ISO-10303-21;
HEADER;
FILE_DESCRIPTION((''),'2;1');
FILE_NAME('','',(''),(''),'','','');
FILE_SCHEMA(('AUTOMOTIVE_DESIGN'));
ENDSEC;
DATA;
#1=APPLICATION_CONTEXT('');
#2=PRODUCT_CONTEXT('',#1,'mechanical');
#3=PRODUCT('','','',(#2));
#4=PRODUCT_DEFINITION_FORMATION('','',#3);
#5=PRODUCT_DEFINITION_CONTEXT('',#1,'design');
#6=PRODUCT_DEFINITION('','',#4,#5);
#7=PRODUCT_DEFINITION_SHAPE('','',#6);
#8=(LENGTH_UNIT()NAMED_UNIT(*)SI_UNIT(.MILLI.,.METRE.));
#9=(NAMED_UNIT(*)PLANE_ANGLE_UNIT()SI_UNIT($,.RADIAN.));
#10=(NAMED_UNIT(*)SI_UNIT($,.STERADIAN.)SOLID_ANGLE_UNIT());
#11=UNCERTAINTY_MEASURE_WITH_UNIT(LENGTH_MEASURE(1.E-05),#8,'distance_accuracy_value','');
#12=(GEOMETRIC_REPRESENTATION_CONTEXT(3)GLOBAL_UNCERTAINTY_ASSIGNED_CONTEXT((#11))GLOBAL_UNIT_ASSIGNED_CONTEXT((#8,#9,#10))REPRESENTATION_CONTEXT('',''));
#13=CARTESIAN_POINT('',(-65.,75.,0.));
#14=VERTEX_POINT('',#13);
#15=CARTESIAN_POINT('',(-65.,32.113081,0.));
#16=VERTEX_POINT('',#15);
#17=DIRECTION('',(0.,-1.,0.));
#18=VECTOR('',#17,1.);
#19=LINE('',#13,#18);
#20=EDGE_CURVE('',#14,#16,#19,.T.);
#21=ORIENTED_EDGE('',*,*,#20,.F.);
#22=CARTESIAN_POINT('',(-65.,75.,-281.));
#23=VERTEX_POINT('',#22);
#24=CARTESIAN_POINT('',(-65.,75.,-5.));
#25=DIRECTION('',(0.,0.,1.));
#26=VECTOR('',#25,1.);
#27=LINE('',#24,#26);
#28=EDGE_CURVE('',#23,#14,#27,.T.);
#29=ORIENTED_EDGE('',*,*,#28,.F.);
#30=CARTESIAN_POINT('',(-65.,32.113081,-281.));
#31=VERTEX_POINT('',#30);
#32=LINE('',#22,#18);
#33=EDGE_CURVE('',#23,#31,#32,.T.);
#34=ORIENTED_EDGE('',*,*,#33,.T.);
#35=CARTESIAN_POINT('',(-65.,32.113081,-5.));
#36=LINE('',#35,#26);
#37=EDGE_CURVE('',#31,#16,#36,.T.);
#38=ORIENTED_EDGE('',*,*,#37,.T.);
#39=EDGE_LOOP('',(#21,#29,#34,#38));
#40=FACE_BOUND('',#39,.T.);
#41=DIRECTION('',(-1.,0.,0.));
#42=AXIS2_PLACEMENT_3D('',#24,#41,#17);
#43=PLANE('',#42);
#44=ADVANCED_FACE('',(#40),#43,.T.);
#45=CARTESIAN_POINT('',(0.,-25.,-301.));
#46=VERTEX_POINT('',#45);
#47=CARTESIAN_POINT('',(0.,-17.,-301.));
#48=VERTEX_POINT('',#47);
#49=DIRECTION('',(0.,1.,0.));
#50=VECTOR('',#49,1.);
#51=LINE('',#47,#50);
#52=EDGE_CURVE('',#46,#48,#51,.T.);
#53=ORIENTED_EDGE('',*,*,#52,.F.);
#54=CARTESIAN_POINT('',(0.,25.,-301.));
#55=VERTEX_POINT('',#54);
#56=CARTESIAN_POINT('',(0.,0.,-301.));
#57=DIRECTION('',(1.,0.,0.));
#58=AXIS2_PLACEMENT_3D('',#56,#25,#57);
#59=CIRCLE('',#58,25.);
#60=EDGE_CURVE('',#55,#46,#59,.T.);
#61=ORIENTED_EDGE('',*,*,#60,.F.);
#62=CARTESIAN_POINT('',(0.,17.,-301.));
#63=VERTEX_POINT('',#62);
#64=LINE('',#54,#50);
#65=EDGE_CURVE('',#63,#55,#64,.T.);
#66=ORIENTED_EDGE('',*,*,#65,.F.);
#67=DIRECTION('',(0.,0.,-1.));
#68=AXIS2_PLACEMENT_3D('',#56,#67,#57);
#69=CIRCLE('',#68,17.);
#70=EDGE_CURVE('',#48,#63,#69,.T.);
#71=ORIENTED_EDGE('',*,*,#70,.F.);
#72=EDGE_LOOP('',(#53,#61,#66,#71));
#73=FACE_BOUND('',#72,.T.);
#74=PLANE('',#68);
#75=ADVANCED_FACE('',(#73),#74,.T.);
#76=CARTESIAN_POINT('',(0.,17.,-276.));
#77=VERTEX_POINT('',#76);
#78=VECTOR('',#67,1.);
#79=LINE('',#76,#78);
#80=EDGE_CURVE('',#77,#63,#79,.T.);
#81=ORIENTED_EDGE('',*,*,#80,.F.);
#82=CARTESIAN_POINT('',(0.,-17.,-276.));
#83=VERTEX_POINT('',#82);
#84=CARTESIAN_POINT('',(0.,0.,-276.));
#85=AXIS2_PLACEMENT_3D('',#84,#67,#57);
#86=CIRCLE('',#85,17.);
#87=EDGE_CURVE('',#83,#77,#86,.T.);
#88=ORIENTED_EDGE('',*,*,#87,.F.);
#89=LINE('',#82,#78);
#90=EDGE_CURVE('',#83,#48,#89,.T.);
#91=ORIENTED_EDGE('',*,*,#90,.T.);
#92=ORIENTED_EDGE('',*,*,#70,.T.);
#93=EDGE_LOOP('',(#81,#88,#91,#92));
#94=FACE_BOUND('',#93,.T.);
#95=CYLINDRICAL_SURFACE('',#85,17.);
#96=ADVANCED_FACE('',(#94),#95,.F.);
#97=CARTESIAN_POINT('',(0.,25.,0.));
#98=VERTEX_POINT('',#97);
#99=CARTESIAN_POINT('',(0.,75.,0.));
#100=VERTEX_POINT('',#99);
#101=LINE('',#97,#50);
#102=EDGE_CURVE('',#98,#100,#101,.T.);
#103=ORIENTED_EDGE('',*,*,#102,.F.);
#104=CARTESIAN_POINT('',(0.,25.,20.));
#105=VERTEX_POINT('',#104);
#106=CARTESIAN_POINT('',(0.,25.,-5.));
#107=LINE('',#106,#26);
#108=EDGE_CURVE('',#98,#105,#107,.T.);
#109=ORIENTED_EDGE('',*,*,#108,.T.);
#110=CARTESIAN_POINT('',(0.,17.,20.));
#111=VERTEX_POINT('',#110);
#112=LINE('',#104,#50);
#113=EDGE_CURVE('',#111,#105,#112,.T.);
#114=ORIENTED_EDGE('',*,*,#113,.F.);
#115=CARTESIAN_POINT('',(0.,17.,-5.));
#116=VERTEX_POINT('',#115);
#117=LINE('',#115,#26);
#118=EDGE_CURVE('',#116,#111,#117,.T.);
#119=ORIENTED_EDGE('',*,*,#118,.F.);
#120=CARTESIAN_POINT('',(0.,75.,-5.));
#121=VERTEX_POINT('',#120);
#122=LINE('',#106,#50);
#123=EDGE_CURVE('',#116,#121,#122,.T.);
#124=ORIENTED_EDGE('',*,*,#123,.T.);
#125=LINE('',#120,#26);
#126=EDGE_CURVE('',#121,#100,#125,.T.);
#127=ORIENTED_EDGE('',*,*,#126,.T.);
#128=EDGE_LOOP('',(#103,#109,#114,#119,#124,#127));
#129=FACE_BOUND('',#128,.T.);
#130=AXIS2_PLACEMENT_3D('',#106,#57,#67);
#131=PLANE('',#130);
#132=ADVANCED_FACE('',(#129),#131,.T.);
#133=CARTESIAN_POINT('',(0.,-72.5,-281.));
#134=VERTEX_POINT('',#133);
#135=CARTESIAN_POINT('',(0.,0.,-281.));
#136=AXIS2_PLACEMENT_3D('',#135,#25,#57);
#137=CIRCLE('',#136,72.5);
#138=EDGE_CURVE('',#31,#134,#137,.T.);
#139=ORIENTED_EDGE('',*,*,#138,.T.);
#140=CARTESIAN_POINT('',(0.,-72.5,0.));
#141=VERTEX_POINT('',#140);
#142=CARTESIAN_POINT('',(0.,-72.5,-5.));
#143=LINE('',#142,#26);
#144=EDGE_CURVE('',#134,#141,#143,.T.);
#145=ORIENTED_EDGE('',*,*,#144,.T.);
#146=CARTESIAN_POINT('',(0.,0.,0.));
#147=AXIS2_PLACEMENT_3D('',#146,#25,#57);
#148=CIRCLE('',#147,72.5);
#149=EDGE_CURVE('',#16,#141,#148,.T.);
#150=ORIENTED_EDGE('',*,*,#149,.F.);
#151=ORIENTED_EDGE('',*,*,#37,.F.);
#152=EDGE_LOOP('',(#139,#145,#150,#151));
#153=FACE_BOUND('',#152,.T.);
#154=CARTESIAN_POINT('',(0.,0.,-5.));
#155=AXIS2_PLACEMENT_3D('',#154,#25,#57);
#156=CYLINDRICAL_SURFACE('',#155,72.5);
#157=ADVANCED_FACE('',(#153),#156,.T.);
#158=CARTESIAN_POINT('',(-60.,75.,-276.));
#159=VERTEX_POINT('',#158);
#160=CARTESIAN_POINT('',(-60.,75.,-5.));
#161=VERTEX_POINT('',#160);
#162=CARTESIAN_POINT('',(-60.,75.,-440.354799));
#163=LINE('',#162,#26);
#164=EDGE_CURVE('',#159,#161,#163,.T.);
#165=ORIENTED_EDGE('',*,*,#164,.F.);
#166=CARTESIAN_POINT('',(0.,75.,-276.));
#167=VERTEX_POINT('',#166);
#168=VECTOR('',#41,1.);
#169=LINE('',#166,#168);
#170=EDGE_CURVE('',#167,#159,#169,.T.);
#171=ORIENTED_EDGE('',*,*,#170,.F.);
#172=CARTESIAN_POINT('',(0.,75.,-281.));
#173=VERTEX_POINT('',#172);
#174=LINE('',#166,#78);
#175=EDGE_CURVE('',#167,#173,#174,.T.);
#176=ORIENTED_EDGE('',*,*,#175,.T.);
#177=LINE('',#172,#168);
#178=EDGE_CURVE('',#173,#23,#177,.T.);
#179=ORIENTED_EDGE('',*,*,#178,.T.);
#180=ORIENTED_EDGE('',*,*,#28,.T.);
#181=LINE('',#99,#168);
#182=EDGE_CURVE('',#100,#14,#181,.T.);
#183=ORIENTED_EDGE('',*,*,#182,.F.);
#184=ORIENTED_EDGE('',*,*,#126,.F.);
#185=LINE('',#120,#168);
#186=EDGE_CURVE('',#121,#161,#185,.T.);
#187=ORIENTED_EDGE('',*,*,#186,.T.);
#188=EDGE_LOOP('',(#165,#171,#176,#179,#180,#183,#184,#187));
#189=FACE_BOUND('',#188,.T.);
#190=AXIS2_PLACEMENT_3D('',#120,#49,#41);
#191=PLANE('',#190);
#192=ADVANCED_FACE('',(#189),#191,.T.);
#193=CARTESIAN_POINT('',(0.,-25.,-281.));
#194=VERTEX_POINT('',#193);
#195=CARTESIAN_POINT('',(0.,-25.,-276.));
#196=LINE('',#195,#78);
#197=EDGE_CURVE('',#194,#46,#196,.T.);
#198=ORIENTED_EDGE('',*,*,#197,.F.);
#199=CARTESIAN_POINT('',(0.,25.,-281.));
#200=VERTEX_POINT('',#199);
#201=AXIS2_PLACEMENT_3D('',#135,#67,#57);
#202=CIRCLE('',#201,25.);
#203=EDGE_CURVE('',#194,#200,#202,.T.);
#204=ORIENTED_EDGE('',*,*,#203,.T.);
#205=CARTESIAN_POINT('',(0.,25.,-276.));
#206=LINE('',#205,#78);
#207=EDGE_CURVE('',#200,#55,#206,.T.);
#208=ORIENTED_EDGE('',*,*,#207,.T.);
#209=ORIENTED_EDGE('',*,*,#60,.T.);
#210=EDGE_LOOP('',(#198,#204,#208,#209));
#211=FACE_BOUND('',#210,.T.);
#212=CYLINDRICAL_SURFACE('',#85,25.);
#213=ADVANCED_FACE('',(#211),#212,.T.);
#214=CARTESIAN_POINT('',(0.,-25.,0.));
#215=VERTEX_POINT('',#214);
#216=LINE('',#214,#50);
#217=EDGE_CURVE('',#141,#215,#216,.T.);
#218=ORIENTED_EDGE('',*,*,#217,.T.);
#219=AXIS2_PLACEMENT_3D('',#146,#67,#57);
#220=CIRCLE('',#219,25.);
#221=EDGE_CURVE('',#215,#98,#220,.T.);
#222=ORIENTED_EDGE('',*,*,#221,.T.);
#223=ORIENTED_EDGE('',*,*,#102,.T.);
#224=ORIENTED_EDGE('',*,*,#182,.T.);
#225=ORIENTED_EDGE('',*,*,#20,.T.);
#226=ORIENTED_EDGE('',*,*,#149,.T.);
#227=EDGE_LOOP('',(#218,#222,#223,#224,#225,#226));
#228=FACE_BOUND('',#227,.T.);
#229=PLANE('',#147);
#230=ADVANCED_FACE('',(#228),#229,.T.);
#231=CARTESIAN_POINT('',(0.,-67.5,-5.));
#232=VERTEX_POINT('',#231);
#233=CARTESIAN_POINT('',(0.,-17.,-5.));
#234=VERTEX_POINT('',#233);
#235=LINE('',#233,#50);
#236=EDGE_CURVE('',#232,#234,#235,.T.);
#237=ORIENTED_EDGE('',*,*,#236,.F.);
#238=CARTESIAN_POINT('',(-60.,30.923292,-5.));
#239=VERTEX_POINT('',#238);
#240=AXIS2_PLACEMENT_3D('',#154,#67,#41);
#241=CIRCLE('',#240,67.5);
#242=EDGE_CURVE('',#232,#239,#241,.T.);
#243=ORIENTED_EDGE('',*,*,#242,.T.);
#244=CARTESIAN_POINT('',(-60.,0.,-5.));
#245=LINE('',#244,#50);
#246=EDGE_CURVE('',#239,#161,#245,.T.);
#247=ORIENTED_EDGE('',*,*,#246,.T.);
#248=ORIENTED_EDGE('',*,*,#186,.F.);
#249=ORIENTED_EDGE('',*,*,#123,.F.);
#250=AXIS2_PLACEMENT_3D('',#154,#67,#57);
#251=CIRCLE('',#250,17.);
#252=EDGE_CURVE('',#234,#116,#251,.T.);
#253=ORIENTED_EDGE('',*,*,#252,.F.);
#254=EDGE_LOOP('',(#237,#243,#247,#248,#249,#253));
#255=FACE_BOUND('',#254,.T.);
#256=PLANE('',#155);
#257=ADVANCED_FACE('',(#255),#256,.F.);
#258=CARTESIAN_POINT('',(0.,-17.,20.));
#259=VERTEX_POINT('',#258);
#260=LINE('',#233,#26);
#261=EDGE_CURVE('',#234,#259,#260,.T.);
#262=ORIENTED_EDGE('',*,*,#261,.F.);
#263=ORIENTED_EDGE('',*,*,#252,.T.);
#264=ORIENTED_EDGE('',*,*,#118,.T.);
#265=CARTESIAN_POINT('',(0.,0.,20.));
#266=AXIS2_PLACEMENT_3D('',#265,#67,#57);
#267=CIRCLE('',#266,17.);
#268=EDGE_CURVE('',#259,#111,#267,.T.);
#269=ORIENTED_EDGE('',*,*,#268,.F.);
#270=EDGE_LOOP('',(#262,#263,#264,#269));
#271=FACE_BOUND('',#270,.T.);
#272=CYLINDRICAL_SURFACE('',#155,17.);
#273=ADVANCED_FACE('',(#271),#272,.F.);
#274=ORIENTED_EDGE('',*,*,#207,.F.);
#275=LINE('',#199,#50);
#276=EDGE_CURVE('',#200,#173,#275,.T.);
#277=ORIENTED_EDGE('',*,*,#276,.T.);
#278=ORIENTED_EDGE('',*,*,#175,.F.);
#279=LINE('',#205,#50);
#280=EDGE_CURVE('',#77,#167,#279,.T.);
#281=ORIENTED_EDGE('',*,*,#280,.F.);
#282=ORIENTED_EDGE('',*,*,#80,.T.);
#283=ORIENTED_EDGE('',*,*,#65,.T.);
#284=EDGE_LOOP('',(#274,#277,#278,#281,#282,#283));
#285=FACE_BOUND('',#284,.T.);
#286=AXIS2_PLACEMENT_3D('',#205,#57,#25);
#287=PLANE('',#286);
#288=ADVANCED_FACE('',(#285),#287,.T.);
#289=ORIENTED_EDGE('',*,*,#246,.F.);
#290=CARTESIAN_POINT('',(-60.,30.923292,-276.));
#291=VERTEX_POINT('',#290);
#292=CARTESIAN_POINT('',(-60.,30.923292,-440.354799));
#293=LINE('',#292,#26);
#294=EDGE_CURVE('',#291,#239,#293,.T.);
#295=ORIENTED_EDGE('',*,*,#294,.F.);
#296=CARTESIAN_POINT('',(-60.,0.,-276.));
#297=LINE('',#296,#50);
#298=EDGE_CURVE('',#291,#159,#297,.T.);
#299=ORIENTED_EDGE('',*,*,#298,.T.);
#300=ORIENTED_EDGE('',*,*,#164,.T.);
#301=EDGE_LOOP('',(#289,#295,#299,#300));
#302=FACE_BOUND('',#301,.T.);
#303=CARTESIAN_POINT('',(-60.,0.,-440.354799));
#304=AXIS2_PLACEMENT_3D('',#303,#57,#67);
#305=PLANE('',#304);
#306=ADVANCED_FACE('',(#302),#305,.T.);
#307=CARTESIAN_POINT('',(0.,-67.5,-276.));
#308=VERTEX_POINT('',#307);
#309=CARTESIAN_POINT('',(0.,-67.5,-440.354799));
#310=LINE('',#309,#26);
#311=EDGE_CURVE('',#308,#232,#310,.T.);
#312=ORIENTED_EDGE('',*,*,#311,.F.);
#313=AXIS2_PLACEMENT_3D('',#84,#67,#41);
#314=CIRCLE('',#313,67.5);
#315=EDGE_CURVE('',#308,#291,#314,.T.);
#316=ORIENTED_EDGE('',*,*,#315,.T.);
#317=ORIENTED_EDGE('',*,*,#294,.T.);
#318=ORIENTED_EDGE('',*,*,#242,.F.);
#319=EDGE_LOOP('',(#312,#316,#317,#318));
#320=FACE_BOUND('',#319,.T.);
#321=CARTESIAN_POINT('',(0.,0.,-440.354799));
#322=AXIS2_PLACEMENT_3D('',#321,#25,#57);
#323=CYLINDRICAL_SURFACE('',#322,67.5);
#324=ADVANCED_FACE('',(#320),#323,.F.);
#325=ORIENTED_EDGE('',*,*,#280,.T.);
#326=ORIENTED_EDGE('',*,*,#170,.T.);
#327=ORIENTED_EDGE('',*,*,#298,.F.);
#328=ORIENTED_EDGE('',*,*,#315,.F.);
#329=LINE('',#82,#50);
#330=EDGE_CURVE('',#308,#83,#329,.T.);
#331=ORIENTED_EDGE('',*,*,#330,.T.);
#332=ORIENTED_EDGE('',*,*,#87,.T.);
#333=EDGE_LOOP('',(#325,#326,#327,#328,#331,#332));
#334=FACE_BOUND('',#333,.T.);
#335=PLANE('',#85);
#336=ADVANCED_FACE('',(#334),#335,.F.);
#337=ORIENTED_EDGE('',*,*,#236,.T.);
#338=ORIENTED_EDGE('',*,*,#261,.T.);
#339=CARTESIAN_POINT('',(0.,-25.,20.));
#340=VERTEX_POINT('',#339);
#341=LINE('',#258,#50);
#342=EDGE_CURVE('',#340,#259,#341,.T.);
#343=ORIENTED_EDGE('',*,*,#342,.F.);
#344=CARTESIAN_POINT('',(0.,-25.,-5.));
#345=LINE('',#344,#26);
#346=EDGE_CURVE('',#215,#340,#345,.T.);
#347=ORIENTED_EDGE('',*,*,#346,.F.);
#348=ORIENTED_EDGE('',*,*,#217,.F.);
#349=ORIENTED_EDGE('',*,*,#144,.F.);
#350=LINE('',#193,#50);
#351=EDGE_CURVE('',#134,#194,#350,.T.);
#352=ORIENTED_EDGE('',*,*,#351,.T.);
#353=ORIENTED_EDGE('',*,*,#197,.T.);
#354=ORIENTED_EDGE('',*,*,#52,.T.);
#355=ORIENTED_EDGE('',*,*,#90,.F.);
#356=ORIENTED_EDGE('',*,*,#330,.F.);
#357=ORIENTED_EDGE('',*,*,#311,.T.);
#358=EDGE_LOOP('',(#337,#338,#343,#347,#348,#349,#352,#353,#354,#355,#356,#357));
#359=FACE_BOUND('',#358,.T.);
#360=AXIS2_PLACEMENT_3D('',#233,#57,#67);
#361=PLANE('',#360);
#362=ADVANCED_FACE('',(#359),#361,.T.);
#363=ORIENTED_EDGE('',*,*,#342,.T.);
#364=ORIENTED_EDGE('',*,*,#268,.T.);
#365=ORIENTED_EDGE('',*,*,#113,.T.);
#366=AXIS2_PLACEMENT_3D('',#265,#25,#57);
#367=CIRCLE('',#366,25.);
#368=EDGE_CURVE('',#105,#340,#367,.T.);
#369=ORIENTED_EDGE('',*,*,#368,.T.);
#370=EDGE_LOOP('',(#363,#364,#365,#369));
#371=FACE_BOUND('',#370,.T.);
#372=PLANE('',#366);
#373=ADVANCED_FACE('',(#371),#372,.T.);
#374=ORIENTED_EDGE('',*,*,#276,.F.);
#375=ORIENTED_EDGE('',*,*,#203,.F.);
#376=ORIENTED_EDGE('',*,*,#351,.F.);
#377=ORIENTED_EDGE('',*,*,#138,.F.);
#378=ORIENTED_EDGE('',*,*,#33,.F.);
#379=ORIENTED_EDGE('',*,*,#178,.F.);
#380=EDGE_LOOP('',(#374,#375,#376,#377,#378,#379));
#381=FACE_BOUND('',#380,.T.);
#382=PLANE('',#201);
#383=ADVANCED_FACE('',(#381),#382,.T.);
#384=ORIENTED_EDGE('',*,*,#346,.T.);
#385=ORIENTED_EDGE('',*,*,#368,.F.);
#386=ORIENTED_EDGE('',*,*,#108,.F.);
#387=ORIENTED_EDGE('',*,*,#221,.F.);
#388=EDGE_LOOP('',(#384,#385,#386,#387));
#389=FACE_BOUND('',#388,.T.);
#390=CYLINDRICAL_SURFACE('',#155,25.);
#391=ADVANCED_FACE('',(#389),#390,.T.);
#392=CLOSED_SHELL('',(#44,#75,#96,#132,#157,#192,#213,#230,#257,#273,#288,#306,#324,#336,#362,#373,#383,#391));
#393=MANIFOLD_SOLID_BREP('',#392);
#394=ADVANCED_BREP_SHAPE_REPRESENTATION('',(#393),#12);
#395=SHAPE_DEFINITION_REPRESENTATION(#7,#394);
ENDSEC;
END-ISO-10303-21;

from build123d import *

# Parameters (mm, degrees)
BOSS_EXTRUDE1_DEPTH      = 20
BOSS_EXTRUDE1_DEPTH_BACK = 5
BOSS_EXTRUDE2_START      = -5
BOSS_EXTRUDE2_DEPTH      = 5
BOSS_EXTRUDE3_REACH      = 315.843


with BuildPart() as part:
    # Sketch1 → Boss-Extrude1 (new, two sides: drawn at the far end of the back side and taken through both)
    with BuildSketch(Plane.XY.offset(-BOSS_EXTRUDE1_DEPTH_BACK)):
        with BuildLine():
            Line((0, 25), (0, 17))
            ThreePointArc((0, 17), (-17, 0), (0, -17))
            Line((0, -17), (0, -25))
            ThreePointArc((0, -25), (-25, 0), (0, 25))
        make_face()
    extrude(amount=BOSS_EXTRUDE1_DEPTH + BOSS_EXTRUDE1_DEPTH_BACK)

    # Sketch2 → Boss-Extrude2 (add)
    with BuildSketch(Plane.XY.offset(BOSS_EXTRUDE2_START)):
        with BuildLine():
            Line((0, 25), (0, 75))
            Line((0, 75), (-65, 75))
            Line((-65, 75), (-65, 32.113081447))
            ThreePointArc((-65, 32.113081447), (-61.581037686, -38.262590053), (0, -72.5))
            Line((0, -72.5), (0, -25))
            ThreePointArc((0, -25), (-25, 0), (0, 25))
        make_face()
    extrude(amount=BOSS_EXTRUDE2_DEPTH)


with BuildPart() as body_2:
    # Mirror4: mirrored copy
    add(part.part.mirror(Plane.XY.offset(-140.5)))

    # Sketch3 → Boss-Extrude3 (add, up to next)
    with BuildSketch(Plane(origin=(0, 0, -5), x_dir=(-1, 0, 0), z_dir=(0, 0, -1)), mode=Mode.PRIVATE) as boss_extrude3_sk1:
        with BuildLine():
            Line((60, 75), (60, 30.923292192))
            ThreePointArc((60, 30.923292192), (57.634938288, -35.134938288), (0, -67.5))
            Line((0, -67.5), (0, -72.5))
            ThreePointArc((0, -72.5), (61.581037686, -38.262590053), (65, 32.113081447))
            Line((65, 32.113081447), (65, 75))
            Line((65, 75), (60, 75))
        make_face()
    boss_extrude3_tool1 = extrude(boss_extrude3_sk1.sketch, amount=BOSS_EXTRUDE3_REACH, mode=Mode.PRIVATE) - body_2.part

    add(part.part)  # Boss-Extrude3 merges part
    add(boss_extrude3_tool1.solids().sort_by_distance((-63.356452, 53.556541, -5))[0])


solid = body_2.part
